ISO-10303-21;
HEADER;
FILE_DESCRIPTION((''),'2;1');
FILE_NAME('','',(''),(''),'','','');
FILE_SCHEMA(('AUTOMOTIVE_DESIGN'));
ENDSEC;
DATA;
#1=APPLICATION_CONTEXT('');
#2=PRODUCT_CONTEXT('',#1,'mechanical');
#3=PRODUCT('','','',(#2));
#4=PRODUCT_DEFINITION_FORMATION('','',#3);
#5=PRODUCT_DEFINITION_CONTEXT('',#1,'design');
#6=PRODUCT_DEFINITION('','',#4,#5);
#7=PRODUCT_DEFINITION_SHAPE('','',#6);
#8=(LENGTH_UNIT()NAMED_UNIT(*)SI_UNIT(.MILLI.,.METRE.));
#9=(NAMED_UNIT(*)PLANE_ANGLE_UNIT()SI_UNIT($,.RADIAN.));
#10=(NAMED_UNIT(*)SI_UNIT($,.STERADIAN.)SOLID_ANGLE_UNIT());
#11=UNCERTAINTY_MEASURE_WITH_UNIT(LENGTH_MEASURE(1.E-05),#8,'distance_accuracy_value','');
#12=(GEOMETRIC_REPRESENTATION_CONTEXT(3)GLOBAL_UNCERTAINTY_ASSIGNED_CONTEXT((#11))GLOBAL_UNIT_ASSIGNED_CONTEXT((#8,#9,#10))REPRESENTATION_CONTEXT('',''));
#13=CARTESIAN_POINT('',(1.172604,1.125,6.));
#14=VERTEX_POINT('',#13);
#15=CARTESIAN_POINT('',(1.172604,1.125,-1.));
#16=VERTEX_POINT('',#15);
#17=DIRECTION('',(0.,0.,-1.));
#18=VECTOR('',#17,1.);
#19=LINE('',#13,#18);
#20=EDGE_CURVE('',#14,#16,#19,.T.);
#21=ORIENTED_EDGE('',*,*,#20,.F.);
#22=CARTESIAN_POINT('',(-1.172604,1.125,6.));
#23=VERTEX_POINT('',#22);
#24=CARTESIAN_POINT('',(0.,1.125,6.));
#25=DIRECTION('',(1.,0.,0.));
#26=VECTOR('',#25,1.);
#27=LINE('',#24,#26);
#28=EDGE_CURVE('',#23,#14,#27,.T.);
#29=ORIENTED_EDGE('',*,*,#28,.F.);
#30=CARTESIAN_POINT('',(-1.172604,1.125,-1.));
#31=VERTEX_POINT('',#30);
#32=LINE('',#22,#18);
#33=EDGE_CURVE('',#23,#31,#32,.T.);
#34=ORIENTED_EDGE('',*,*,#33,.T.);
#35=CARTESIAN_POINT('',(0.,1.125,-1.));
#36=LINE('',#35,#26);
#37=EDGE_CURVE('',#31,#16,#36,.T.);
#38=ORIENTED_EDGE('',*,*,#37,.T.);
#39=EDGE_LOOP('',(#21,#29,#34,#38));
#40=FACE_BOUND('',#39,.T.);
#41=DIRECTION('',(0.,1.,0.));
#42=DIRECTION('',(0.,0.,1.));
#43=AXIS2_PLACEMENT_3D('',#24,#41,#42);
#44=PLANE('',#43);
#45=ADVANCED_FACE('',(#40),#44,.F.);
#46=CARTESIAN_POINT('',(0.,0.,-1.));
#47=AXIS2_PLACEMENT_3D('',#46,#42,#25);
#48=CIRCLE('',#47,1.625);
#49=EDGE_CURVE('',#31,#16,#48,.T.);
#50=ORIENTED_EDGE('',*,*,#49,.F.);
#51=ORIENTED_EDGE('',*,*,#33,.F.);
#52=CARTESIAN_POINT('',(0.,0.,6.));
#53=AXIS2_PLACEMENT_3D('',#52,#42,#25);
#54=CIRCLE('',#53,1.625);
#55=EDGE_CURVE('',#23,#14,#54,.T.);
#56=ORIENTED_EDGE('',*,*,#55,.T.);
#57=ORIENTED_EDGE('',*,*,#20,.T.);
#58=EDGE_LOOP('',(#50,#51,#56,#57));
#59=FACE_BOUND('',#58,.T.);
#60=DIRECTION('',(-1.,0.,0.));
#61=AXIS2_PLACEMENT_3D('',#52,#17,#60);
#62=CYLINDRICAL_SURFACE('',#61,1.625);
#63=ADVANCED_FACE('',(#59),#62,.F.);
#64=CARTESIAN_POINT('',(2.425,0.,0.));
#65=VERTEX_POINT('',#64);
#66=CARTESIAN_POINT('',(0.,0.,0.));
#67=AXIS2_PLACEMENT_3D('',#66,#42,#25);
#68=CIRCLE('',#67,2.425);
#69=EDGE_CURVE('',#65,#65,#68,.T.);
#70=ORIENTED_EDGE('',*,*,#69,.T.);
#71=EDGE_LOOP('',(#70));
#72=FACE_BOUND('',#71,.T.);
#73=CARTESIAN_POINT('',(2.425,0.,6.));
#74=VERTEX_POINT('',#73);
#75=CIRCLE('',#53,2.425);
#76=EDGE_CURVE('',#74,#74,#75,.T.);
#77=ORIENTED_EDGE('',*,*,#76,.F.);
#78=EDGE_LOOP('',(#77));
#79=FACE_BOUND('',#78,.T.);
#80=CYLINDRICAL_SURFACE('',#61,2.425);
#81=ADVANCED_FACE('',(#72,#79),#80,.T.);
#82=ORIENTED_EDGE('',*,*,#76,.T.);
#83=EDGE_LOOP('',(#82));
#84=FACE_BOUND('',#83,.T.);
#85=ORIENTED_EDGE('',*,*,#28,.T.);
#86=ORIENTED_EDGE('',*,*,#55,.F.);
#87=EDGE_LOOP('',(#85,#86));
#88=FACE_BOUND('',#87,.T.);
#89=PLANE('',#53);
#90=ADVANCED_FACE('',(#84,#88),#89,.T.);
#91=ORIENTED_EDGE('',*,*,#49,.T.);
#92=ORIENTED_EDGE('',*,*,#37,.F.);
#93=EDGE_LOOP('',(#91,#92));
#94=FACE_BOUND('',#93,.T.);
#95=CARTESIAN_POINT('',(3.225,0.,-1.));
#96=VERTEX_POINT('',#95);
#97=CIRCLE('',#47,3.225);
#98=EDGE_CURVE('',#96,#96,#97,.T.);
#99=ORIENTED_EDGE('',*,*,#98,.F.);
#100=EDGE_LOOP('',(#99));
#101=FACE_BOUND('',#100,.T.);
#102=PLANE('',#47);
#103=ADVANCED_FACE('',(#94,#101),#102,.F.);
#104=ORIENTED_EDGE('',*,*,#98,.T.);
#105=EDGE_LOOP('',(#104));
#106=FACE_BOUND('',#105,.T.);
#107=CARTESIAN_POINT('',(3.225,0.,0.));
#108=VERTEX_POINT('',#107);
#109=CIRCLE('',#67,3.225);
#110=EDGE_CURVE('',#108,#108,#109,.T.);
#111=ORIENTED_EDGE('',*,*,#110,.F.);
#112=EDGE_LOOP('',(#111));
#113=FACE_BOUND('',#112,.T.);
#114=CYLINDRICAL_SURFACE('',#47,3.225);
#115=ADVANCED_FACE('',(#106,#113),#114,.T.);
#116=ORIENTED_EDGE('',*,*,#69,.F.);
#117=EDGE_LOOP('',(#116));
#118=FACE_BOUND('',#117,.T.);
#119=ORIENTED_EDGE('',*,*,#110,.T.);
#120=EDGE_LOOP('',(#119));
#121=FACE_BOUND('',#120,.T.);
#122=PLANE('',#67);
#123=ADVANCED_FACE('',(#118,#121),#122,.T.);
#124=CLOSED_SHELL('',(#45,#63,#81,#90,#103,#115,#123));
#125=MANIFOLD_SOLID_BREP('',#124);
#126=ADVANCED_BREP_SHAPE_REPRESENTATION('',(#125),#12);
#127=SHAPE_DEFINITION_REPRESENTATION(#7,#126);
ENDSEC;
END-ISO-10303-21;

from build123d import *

# Parameters (mm, degrees)
SKETCH1_R           = 2.425
BOSS_EXTRUDE1_DEPTH = 6
BOSS_EXTRUDE2_START = -1
SKETCH1_4_R         = 3.225
BOSS_EXTRUDE2_DEPTH = 1


with BuildPart() as part:
    # Sketch1 → Boss-Extrude1 (new body)
    with BuildSketch(Plane.XY):
        Circle(SKETCH1_R)
        with BuildLine():
            Line((-1.17260394, 1.125), (1.17260394, 1.125))
            ThreePointArc((1.17260394, 1.125), (0, -1.625), (-1.17260394, 1.125))
        make_face(mode=Mode.SUBTRACT)
    extrude(amount=BOSS_EXTRUDE1_DEPTH)

    # Sketch1<4> → Boss-Extrude2 (add)
    with BuildSketch(Plane.XY.offset(BOSS_EXTRUDE2_START)):
        Circle(SKETCH1_4_R)
        with BuildLine():
            Line((-1.17260394, 1.125), (1.17260394, 1.125))
            ThreePointArc((1.17260394, 1.125), (0, -1.625), (-1.17260394, 1.125))
        make_face(mode=Mode.SUBTRACT)
    extrude(amount=BOSS_EXTRUDE2_DEPTH)


solid = part.part
